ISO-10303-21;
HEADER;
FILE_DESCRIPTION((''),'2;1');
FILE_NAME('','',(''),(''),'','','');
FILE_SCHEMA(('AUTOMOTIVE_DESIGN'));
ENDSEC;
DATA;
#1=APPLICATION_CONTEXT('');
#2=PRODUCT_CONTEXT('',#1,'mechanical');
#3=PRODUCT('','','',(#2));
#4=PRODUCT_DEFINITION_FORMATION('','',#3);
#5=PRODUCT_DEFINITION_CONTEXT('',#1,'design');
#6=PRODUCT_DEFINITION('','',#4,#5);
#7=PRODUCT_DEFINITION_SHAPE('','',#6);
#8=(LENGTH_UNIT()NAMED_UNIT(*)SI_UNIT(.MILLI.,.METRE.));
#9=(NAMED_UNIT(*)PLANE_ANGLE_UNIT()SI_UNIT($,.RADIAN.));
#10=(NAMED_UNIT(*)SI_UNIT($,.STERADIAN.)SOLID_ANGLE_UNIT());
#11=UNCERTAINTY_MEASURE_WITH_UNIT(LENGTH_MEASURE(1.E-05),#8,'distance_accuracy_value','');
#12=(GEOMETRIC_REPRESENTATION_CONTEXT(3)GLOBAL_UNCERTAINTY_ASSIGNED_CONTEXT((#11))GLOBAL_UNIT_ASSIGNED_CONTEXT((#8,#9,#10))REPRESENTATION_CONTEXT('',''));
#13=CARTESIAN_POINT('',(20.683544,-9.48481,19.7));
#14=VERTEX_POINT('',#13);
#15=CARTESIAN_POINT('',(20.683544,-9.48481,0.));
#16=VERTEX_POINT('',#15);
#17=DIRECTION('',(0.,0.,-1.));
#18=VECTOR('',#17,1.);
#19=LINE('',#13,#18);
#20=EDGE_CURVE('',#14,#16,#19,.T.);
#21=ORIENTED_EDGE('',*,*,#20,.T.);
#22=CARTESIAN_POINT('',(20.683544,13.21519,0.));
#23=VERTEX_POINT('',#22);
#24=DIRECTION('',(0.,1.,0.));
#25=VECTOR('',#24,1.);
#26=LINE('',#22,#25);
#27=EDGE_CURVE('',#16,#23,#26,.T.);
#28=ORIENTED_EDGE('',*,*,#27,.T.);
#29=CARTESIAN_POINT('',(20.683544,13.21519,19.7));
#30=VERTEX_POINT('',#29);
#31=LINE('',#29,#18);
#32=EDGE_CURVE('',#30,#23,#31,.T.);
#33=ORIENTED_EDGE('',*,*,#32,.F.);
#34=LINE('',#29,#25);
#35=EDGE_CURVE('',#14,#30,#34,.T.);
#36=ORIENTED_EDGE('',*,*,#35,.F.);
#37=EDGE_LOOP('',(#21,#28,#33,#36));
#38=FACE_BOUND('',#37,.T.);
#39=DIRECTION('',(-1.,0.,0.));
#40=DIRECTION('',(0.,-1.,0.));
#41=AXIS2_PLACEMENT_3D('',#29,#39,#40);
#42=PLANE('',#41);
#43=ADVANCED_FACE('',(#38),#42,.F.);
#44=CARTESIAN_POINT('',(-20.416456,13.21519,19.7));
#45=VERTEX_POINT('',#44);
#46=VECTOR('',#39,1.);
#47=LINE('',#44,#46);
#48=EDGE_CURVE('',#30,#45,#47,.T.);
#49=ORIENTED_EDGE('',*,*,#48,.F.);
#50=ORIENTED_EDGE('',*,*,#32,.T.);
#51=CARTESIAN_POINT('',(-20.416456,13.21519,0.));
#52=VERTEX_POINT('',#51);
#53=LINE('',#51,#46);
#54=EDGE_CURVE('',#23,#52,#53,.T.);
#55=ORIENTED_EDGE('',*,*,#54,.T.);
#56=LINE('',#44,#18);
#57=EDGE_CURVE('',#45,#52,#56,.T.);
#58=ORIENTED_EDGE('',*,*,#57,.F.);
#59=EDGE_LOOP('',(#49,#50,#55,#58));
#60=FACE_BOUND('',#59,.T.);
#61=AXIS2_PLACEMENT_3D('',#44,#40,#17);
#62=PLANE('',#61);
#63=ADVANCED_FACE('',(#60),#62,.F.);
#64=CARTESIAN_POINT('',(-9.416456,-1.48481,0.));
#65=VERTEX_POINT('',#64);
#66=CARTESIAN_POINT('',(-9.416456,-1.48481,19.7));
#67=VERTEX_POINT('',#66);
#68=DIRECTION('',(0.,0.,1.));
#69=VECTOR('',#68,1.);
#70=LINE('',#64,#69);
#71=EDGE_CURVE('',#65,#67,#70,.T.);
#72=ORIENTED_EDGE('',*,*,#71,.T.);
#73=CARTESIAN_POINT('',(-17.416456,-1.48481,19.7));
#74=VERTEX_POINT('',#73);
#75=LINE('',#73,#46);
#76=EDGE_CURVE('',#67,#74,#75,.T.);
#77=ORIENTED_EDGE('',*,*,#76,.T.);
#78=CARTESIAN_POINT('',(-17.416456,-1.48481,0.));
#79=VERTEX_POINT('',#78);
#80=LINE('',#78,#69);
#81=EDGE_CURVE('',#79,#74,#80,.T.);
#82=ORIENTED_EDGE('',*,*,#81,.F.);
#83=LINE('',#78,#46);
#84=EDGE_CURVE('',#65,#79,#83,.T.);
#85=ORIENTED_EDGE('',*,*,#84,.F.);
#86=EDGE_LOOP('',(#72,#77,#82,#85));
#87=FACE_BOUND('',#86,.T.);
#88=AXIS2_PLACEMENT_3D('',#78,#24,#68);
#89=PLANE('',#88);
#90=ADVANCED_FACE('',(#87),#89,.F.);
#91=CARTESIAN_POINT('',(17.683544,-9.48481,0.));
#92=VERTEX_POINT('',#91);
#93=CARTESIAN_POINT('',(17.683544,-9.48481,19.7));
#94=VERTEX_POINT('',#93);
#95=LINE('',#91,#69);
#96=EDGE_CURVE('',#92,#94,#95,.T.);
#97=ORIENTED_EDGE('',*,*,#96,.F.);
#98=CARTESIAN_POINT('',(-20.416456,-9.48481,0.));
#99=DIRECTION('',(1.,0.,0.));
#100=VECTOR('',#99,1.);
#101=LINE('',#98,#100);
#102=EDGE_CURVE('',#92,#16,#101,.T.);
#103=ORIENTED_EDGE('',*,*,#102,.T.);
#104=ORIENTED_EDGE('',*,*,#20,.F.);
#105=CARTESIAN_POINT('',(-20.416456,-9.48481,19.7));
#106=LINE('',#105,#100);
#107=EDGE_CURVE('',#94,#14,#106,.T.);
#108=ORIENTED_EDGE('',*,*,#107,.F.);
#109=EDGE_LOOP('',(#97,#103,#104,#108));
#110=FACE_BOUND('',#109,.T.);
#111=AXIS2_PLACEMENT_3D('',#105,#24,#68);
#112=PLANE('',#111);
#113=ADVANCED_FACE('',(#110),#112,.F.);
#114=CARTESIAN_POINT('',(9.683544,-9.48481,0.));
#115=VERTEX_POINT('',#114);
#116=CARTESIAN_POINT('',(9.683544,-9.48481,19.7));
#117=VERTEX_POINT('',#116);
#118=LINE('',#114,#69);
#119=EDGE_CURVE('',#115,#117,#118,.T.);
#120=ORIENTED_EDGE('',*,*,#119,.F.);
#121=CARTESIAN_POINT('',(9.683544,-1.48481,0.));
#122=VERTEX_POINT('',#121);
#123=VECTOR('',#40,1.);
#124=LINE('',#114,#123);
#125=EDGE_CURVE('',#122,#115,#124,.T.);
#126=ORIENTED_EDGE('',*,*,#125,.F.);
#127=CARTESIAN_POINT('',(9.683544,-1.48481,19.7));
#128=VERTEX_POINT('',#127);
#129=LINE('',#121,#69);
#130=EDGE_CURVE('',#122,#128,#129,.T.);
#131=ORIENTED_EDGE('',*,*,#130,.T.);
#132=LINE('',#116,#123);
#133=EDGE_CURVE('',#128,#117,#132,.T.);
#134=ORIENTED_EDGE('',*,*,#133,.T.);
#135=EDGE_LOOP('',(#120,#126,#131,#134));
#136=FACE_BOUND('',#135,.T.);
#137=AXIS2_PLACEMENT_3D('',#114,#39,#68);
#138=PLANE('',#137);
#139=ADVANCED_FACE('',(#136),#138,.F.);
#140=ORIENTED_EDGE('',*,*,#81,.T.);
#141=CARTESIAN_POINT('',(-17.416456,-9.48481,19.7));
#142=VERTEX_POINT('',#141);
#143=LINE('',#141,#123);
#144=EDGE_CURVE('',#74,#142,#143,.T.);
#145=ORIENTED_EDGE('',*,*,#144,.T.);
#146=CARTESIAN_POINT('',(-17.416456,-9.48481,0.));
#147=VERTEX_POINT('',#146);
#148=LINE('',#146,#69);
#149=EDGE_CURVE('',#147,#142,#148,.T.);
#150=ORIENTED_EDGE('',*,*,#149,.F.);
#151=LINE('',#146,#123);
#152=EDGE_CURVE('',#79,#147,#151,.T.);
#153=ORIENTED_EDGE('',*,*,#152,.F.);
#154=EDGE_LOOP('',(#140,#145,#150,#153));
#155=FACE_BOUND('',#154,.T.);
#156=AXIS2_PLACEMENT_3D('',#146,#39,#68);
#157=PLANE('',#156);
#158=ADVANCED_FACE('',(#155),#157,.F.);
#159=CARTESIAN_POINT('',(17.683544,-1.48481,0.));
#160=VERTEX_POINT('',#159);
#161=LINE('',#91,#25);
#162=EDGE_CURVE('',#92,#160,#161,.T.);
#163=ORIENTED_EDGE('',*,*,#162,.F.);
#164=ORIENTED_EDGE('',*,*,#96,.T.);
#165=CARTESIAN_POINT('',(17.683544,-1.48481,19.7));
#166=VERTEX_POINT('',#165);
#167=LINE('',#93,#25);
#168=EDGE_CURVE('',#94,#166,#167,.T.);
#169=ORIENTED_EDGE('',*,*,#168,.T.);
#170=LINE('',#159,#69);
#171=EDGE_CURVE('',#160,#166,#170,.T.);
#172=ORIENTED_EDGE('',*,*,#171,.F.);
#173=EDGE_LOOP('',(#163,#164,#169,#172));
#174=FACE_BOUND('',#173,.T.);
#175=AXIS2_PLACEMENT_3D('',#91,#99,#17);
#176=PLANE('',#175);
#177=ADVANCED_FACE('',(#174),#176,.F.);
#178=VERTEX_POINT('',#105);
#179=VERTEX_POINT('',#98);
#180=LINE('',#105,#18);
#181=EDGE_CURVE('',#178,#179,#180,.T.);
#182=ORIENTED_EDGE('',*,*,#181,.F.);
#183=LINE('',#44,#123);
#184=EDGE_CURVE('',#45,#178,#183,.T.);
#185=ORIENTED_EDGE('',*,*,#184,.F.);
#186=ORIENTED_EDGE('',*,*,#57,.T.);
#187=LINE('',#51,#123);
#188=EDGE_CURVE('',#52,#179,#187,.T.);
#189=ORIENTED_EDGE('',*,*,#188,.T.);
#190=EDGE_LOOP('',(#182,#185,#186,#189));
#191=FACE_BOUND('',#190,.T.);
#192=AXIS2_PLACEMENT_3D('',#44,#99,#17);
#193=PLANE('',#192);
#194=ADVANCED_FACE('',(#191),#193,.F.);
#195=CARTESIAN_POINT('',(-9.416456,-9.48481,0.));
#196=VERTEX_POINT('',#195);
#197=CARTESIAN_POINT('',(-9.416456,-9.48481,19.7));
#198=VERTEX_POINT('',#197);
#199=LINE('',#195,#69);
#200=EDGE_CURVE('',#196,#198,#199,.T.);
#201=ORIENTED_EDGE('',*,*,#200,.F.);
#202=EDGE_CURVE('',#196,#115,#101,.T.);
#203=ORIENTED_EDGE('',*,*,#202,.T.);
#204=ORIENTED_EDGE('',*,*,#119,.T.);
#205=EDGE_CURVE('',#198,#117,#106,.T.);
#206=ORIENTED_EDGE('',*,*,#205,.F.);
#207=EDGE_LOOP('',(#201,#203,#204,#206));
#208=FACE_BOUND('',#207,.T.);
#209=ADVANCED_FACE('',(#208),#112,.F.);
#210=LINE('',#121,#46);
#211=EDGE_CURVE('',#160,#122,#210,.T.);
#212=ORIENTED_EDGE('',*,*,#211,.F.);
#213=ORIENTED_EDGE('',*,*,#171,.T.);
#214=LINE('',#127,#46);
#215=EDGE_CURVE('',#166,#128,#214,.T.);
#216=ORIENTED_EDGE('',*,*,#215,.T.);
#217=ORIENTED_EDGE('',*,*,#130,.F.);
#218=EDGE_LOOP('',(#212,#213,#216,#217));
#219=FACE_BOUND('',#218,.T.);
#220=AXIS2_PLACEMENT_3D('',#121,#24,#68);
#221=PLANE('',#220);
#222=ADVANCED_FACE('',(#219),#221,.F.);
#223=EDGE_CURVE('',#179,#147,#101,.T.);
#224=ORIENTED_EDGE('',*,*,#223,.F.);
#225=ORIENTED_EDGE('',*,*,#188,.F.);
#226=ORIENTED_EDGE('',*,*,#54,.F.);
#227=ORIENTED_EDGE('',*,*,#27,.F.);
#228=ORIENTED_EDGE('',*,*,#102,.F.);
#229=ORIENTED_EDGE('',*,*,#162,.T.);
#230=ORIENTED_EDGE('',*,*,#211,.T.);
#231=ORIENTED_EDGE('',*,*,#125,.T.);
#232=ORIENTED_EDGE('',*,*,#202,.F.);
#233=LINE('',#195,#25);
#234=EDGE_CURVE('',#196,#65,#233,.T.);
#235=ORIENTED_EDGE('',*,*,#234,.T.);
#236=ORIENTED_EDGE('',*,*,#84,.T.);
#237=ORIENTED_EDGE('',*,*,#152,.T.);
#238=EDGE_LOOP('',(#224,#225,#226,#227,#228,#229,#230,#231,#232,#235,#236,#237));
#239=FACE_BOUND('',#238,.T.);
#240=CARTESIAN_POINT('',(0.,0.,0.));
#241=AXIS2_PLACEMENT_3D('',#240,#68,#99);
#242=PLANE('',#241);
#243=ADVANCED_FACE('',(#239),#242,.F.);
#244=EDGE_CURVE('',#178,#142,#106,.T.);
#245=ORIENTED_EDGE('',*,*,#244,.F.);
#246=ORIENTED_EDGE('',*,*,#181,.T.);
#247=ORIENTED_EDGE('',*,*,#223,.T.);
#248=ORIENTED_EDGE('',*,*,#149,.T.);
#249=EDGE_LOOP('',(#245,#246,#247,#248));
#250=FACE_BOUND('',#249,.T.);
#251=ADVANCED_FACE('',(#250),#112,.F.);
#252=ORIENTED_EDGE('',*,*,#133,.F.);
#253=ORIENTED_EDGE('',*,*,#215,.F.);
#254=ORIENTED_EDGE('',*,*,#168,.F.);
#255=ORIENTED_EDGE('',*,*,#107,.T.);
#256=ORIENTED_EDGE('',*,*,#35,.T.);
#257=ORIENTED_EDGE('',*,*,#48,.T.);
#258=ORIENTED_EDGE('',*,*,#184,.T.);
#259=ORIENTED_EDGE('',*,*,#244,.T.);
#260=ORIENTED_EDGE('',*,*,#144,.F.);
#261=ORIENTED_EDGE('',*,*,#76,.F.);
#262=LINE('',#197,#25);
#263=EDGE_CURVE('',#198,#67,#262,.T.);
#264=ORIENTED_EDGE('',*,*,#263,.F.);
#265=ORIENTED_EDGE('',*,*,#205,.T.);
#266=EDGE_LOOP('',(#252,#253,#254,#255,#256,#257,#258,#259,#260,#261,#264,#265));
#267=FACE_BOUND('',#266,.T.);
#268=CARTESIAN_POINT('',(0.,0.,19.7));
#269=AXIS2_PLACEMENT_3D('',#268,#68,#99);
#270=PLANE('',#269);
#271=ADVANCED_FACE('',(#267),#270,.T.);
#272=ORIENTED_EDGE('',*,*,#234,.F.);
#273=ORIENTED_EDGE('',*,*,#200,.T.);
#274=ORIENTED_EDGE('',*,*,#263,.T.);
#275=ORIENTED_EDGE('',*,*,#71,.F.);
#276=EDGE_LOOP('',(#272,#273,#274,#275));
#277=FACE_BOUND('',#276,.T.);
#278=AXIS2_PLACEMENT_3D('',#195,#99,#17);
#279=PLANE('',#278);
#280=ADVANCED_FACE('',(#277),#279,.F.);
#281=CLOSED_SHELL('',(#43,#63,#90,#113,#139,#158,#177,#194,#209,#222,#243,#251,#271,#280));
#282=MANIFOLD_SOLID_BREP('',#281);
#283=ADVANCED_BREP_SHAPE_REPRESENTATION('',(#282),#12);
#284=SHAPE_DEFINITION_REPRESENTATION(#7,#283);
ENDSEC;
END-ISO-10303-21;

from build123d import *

# Parameters (mm, degrees)
SKETCH1_W           = 41.1
SKETCH1_H           = 22.7
BOSS_EXTRUDE1_DEPTH = 19.7
SKETCH2_W           = 8
SKETCH2_H           = 8
CUT_EXTRUDE1_DEPTH  = 20.7


with BuildPart() as part:
    # Sketch1 → Boss-Extrude1 (new body)
    with BuildSketch(Plane.XY):
        with Locations((0.13354401, 1.865189737)):
            Rectangle(SKETCH1_W, SKETCH1_H)
    extrude(amount=BOSS_EXTRUDE1_DEPTH)

    # Sketch2 → Cut-Extrude1 (cut, through all)
    with BuildSketch(Plane.XY.offset(19.7)):
        with Locations((-13.41645599, -5.484810263)):
            Rectangle(SKETCH2_W, SKETCH2_H)
        with Locations((13.68354401, -5.484810263)):
            Rectangle(SKETCH2_W, SKETCH2_H)
    extrude(amount=-CUT_EXTRUDE1_DEPTH, mode=Mode.SUBTRACT)


solid = part.part
